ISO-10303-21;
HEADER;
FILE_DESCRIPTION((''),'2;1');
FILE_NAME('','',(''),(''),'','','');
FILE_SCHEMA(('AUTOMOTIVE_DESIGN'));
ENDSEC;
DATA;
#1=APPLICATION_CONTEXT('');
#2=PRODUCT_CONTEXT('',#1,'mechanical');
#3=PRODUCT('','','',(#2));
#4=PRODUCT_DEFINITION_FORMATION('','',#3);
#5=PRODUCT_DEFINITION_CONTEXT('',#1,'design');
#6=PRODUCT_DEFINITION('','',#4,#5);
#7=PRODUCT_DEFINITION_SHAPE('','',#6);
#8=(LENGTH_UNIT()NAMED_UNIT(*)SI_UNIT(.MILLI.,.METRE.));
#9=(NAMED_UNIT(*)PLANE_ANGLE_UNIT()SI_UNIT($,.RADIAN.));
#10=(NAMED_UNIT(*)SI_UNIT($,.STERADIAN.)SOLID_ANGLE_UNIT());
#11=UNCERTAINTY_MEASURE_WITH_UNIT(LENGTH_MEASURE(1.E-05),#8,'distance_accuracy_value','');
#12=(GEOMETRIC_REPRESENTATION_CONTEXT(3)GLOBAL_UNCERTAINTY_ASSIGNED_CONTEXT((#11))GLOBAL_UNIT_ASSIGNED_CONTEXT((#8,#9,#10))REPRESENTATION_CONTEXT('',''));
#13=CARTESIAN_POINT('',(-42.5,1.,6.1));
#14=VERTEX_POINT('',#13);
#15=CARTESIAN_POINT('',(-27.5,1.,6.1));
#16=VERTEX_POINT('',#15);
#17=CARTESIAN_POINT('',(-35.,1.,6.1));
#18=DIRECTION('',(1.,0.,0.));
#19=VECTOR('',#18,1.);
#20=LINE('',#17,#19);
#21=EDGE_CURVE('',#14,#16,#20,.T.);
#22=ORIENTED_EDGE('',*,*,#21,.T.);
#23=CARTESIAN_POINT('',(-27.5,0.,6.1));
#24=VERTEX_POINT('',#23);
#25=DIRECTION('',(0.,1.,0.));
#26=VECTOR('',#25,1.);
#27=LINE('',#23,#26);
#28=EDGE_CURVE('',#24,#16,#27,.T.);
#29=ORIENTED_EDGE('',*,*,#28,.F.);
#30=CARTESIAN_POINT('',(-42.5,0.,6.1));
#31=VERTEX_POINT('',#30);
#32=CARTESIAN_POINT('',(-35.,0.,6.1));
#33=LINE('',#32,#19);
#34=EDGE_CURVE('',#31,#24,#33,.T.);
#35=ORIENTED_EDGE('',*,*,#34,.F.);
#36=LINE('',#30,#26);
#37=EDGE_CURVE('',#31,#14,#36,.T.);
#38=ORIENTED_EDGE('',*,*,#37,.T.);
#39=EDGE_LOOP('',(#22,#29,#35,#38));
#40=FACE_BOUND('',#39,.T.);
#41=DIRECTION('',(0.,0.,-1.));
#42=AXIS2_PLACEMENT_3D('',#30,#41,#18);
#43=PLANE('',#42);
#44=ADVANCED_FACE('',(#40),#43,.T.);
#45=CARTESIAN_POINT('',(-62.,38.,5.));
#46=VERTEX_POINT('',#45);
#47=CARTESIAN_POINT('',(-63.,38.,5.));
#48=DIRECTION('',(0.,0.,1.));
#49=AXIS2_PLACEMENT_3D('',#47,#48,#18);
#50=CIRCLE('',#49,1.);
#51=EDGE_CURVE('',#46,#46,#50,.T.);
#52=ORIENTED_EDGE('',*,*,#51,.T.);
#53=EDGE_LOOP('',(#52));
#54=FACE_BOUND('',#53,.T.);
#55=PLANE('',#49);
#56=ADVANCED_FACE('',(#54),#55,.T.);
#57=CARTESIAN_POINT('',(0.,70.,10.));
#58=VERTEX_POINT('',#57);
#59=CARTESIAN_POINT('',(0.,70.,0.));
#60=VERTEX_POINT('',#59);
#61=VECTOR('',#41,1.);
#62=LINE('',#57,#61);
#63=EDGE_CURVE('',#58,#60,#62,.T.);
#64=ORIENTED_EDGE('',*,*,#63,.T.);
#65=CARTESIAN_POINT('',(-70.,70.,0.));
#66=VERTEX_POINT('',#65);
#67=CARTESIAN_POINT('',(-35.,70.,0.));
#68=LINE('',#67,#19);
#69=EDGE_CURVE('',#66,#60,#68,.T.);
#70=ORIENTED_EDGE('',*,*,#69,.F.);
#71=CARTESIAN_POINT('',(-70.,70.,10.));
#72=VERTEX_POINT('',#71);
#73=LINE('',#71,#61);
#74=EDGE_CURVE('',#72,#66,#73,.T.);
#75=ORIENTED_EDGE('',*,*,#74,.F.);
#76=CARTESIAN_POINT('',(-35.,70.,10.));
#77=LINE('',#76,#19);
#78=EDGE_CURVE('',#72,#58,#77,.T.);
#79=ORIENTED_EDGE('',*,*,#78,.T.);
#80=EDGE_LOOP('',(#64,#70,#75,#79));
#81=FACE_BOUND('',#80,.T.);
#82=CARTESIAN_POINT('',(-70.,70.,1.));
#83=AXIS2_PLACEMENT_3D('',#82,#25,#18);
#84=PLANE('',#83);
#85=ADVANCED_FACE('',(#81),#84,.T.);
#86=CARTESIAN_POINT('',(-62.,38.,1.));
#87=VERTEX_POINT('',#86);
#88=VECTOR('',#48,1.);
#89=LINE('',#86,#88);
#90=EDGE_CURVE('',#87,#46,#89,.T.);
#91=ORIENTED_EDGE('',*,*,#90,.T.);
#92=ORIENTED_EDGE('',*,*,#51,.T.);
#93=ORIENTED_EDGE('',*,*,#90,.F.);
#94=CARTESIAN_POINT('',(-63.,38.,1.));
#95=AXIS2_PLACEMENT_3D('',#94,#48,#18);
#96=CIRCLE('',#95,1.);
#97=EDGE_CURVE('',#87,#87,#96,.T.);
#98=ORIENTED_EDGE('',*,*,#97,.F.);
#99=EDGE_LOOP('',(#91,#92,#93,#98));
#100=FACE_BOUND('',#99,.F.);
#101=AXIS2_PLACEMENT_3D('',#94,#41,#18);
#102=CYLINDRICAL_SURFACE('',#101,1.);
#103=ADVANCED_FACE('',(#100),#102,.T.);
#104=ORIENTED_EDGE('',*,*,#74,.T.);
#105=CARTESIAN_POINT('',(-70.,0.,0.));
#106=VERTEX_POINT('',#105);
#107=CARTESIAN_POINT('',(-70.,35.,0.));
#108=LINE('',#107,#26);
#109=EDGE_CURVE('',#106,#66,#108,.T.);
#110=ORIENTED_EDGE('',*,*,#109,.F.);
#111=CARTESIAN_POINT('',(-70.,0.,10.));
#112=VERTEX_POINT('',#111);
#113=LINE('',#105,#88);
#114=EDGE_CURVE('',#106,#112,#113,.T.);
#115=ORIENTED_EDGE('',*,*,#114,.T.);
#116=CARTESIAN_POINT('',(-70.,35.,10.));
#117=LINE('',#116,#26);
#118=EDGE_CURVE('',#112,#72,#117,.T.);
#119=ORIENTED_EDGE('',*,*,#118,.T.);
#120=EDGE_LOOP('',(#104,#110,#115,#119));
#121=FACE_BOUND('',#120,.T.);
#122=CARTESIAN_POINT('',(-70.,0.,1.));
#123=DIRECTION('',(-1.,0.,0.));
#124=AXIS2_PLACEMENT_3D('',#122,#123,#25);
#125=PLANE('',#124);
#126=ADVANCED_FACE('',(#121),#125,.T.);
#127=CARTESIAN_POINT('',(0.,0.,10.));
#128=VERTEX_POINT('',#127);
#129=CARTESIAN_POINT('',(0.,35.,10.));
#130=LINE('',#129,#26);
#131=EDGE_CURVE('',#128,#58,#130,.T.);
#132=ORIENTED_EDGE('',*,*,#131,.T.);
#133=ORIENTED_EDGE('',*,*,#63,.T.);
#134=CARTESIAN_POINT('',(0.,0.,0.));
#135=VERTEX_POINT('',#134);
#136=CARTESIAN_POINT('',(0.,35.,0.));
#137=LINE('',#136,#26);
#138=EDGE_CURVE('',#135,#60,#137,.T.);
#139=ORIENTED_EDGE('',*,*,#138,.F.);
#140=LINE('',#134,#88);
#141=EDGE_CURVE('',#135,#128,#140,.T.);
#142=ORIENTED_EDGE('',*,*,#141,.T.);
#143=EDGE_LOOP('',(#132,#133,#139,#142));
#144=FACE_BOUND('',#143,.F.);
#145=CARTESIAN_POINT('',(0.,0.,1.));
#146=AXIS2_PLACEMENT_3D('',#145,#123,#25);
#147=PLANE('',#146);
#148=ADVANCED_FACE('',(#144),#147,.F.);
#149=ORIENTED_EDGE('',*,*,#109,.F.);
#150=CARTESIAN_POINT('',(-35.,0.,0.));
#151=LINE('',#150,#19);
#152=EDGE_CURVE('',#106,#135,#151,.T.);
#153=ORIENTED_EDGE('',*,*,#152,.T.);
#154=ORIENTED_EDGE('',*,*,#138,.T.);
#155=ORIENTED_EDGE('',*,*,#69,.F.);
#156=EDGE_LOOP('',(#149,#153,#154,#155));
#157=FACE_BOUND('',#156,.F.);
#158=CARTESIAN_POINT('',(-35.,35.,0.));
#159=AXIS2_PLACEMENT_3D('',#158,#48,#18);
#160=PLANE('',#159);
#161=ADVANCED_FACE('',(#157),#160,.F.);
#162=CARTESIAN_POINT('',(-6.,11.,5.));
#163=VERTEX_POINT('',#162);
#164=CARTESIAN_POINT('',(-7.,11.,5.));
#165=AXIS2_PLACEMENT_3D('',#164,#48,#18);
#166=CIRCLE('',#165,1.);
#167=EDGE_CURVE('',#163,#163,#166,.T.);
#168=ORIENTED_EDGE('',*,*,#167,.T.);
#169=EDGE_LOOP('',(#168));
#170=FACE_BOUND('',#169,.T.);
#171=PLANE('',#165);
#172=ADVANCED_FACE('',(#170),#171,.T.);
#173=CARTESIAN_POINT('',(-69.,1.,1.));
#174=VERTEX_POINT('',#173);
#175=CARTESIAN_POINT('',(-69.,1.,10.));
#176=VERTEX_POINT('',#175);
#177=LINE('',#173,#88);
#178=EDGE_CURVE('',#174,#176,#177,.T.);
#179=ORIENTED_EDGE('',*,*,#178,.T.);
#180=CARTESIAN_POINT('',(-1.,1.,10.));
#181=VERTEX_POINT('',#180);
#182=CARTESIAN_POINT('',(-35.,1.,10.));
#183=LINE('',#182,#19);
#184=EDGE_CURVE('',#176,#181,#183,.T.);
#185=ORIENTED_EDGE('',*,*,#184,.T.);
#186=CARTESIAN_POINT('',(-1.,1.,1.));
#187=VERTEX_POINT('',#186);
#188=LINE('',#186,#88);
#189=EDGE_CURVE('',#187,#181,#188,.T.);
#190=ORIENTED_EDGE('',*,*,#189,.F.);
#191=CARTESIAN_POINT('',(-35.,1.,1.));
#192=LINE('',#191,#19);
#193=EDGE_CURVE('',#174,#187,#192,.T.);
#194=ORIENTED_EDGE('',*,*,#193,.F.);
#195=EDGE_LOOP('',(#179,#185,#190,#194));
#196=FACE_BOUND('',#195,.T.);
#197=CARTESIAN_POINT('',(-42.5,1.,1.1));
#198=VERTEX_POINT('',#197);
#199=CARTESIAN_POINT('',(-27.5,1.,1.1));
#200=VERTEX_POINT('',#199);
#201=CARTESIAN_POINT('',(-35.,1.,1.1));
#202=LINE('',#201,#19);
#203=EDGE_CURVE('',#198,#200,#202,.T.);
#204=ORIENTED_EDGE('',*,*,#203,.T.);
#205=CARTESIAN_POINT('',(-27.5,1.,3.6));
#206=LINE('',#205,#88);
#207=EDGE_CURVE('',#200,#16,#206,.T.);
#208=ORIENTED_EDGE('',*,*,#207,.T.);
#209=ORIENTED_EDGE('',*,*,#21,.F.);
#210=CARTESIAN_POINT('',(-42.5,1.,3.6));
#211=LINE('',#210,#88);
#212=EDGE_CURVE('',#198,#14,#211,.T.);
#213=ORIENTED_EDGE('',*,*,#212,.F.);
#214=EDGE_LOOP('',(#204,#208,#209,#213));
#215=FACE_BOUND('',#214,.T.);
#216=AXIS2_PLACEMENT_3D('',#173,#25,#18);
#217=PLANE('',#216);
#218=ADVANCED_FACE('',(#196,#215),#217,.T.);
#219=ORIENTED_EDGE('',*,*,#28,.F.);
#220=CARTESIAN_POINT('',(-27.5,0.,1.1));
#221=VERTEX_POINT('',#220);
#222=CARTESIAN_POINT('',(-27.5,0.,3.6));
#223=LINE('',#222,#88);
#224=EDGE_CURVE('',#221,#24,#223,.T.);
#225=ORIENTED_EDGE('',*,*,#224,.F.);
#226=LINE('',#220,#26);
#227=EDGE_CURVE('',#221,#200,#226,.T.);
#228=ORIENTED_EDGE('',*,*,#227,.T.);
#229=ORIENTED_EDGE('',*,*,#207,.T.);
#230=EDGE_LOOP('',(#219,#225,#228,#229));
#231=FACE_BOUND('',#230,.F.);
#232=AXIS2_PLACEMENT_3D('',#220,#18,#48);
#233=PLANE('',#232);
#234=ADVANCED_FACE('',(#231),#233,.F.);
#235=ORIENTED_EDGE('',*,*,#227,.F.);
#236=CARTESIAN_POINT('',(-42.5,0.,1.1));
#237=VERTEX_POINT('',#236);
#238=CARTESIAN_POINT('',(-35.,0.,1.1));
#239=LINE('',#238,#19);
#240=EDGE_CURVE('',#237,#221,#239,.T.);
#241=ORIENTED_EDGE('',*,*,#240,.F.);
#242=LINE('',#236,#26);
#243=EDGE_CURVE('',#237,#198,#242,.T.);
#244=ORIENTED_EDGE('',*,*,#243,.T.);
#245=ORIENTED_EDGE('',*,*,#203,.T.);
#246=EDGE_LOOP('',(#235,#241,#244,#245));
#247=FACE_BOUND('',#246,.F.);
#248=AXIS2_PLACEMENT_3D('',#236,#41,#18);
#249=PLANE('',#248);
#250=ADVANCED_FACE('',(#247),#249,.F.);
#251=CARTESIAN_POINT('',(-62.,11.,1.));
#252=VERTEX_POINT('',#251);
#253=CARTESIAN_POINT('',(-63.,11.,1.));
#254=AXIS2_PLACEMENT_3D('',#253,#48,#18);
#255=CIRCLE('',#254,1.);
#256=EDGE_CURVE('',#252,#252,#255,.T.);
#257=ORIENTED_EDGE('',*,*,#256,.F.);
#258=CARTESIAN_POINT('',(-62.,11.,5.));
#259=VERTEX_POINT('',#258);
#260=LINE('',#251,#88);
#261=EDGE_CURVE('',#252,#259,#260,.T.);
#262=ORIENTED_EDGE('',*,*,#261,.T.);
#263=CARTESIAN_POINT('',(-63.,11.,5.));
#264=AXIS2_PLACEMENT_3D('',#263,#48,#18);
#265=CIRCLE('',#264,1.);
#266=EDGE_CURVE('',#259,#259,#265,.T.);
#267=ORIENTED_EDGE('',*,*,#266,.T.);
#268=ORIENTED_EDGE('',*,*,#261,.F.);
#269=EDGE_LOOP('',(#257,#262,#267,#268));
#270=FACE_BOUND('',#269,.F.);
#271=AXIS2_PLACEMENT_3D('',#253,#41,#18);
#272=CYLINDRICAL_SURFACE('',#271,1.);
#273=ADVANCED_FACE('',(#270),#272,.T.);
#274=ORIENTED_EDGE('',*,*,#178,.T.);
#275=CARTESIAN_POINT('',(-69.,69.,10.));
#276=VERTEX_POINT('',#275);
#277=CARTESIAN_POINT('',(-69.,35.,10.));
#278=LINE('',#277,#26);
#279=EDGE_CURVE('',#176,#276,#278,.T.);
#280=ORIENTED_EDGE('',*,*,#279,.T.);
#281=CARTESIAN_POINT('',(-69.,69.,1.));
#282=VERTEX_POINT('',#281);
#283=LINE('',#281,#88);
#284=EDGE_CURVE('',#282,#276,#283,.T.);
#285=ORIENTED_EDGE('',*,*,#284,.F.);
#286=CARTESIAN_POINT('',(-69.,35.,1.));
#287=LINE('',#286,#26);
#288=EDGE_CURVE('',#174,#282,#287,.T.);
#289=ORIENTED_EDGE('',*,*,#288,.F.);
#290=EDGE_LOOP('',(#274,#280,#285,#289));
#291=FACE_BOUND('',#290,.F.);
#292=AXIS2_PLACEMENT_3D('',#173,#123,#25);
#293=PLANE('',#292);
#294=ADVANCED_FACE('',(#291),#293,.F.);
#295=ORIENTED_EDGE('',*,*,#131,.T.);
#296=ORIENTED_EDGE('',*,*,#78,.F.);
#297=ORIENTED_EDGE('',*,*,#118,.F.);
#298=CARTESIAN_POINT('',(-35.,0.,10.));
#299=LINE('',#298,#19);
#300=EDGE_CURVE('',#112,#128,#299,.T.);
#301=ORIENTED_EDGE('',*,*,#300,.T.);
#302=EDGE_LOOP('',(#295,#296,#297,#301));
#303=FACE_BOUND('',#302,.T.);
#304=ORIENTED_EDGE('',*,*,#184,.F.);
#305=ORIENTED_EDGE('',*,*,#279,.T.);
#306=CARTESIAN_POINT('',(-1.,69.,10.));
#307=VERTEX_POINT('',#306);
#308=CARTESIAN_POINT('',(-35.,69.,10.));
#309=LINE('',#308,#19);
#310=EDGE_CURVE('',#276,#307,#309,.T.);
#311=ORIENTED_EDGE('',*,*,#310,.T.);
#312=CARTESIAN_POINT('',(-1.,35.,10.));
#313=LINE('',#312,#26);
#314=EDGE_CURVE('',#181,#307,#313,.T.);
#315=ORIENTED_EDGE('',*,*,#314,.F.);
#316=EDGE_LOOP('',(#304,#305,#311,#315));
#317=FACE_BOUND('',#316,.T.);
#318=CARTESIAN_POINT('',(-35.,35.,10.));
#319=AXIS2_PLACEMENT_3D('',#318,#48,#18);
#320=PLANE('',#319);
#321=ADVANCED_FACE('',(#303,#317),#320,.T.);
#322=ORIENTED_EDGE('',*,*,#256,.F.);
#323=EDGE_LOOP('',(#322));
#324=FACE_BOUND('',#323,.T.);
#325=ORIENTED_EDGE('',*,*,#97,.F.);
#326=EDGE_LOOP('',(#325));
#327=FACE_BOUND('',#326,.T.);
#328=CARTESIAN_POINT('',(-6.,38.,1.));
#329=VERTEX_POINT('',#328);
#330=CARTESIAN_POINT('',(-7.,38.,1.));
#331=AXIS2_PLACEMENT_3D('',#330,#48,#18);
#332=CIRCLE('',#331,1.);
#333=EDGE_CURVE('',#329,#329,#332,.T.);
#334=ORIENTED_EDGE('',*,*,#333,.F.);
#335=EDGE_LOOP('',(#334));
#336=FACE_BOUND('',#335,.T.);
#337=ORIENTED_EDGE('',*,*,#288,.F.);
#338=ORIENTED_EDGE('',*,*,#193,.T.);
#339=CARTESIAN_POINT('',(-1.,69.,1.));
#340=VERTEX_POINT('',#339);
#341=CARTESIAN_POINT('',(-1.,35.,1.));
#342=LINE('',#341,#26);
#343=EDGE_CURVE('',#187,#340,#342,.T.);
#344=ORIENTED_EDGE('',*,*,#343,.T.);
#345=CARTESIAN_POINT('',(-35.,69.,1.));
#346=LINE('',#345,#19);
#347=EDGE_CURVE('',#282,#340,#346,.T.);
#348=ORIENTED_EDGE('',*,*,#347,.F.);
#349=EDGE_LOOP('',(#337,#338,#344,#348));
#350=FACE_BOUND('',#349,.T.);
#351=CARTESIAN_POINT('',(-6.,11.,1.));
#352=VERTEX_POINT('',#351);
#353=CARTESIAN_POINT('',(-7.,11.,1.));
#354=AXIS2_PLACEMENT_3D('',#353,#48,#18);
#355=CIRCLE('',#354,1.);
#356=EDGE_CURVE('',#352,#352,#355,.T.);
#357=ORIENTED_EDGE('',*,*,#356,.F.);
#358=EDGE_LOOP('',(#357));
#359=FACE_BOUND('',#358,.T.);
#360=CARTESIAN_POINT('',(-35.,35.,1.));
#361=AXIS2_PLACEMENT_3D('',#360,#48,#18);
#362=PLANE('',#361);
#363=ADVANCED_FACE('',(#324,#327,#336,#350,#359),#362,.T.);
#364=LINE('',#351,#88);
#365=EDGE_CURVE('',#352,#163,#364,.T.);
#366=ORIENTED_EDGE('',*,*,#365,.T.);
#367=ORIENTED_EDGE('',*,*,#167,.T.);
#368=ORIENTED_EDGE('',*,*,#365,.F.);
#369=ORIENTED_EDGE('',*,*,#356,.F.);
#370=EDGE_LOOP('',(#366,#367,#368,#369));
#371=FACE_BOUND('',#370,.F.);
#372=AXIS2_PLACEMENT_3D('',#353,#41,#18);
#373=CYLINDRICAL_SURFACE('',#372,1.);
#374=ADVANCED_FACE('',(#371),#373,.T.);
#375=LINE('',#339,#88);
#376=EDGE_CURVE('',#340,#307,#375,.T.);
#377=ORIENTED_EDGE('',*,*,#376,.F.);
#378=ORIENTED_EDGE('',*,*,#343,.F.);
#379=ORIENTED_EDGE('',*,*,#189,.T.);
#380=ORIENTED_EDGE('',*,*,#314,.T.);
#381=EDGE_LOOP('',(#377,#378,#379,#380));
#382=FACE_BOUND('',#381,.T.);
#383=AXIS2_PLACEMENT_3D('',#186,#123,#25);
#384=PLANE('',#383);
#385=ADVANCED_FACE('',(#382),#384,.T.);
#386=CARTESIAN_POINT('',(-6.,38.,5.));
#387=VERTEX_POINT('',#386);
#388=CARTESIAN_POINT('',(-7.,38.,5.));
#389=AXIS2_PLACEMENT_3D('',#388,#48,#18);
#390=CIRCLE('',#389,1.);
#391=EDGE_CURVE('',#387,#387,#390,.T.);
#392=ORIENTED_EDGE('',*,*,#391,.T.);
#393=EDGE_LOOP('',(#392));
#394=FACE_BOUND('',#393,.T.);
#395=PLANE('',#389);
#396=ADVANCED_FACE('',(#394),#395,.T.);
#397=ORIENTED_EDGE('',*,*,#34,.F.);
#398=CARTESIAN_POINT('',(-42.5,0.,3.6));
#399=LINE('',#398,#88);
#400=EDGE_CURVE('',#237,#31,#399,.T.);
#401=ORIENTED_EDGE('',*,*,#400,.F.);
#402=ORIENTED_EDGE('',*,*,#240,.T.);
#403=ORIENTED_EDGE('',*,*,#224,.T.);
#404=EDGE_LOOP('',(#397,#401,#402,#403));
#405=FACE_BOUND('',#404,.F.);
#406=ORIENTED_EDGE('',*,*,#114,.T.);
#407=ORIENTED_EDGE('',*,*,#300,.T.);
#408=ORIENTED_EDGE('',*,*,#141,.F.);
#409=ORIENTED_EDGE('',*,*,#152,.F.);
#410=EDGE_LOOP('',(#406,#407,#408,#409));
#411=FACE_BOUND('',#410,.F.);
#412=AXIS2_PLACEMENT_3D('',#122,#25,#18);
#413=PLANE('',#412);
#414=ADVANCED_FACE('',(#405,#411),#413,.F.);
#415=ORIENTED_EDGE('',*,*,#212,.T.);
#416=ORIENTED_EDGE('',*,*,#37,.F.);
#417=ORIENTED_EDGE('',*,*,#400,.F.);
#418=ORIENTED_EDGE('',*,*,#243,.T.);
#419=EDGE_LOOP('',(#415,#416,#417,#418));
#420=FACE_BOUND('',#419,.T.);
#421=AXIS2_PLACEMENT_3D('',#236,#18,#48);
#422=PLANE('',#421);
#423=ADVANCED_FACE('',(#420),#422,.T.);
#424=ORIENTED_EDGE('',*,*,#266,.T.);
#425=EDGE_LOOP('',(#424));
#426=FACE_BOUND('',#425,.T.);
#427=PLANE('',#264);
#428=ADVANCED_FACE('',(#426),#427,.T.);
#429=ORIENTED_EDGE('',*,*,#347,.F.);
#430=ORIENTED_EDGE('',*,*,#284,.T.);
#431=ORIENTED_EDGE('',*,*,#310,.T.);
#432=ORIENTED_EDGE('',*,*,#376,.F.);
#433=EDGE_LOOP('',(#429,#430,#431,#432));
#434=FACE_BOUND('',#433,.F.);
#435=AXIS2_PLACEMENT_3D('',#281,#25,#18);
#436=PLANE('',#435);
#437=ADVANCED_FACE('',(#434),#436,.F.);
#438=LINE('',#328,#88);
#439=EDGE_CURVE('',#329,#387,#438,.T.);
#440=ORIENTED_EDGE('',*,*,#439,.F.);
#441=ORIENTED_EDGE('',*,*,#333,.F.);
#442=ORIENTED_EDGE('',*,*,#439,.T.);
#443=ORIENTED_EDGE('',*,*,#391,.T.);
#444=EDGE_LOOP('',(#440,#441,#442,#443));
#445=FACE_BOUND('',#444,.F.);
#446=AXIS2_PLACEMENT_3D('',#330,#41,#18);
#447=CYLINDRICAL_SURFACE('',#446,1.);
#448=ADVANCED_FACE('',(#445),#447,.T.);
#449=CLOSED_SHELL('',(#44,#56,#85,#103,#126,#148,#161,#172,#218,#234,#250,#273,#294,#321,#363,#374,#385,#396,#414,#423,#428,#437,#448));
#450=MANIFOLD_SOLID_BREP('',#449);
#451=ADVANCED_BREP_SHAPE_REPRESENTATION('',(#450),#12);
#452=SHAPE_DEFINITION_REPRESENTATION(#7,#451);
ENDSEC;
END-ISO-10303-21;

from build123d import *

# Parameters (mm, degrees)
F0_W     = 70
F0_H     = 70
F1_DEPTH = 1
F2_W     = 70
F2_H     = 70
F2_W_2   = 68
F2_H_2   = 68
F3_DEPTH = 9
F4_W     = 15
F4_H     = 5
F5_DEPTH = 1
F6_R     = 1
F7_DEPTH = 4


with BuildPart() as f1:
    # F0 (on Top) → F1 (new body)
    with BuildSketch(Plane.XY):
        with Locations((-35, 35)):
            Rectangle(F0_W, F0_H)
    extrude(amount=F1_DEPTH)

    # F2 (on face) → F3 (join)
    with BuildSketch(Plane.XY.offset(1)):
        with Locations((-35, 35)):
            Rectangle(F2_W, F2_H)
        with Locations((-35, 35)):
            Rectangle(F2_W_2, F2_H_2, mode=Mode.SUBTRACT)
    extrude(amount=F3_DEPTH)

    # F4 (on face) → F5 (cut)
    with BuildSketch(Plane.XZ):
        with Locations((-35, 3.6)):
            Rectangle(F4_W, F4_H)
    extrude(amount=-F5_DEPTH, mode=Mode.SUBTRACT)

    # F6 (on face) → F7 (join)
    with BuildSketch(Plane.XY.offset(1)):
        with Locations((-63, 38)):
            Circle(F6_R)
        with Locations((-7, 38)):
            Circle(F6_R)
        with Locations((-7, 11)):
            Circle(F6_R)
        with Locations((-63, 11)):
            Circle(F6_R)
    extrude(amount=F7_DEPTH)


solid = f1.part
